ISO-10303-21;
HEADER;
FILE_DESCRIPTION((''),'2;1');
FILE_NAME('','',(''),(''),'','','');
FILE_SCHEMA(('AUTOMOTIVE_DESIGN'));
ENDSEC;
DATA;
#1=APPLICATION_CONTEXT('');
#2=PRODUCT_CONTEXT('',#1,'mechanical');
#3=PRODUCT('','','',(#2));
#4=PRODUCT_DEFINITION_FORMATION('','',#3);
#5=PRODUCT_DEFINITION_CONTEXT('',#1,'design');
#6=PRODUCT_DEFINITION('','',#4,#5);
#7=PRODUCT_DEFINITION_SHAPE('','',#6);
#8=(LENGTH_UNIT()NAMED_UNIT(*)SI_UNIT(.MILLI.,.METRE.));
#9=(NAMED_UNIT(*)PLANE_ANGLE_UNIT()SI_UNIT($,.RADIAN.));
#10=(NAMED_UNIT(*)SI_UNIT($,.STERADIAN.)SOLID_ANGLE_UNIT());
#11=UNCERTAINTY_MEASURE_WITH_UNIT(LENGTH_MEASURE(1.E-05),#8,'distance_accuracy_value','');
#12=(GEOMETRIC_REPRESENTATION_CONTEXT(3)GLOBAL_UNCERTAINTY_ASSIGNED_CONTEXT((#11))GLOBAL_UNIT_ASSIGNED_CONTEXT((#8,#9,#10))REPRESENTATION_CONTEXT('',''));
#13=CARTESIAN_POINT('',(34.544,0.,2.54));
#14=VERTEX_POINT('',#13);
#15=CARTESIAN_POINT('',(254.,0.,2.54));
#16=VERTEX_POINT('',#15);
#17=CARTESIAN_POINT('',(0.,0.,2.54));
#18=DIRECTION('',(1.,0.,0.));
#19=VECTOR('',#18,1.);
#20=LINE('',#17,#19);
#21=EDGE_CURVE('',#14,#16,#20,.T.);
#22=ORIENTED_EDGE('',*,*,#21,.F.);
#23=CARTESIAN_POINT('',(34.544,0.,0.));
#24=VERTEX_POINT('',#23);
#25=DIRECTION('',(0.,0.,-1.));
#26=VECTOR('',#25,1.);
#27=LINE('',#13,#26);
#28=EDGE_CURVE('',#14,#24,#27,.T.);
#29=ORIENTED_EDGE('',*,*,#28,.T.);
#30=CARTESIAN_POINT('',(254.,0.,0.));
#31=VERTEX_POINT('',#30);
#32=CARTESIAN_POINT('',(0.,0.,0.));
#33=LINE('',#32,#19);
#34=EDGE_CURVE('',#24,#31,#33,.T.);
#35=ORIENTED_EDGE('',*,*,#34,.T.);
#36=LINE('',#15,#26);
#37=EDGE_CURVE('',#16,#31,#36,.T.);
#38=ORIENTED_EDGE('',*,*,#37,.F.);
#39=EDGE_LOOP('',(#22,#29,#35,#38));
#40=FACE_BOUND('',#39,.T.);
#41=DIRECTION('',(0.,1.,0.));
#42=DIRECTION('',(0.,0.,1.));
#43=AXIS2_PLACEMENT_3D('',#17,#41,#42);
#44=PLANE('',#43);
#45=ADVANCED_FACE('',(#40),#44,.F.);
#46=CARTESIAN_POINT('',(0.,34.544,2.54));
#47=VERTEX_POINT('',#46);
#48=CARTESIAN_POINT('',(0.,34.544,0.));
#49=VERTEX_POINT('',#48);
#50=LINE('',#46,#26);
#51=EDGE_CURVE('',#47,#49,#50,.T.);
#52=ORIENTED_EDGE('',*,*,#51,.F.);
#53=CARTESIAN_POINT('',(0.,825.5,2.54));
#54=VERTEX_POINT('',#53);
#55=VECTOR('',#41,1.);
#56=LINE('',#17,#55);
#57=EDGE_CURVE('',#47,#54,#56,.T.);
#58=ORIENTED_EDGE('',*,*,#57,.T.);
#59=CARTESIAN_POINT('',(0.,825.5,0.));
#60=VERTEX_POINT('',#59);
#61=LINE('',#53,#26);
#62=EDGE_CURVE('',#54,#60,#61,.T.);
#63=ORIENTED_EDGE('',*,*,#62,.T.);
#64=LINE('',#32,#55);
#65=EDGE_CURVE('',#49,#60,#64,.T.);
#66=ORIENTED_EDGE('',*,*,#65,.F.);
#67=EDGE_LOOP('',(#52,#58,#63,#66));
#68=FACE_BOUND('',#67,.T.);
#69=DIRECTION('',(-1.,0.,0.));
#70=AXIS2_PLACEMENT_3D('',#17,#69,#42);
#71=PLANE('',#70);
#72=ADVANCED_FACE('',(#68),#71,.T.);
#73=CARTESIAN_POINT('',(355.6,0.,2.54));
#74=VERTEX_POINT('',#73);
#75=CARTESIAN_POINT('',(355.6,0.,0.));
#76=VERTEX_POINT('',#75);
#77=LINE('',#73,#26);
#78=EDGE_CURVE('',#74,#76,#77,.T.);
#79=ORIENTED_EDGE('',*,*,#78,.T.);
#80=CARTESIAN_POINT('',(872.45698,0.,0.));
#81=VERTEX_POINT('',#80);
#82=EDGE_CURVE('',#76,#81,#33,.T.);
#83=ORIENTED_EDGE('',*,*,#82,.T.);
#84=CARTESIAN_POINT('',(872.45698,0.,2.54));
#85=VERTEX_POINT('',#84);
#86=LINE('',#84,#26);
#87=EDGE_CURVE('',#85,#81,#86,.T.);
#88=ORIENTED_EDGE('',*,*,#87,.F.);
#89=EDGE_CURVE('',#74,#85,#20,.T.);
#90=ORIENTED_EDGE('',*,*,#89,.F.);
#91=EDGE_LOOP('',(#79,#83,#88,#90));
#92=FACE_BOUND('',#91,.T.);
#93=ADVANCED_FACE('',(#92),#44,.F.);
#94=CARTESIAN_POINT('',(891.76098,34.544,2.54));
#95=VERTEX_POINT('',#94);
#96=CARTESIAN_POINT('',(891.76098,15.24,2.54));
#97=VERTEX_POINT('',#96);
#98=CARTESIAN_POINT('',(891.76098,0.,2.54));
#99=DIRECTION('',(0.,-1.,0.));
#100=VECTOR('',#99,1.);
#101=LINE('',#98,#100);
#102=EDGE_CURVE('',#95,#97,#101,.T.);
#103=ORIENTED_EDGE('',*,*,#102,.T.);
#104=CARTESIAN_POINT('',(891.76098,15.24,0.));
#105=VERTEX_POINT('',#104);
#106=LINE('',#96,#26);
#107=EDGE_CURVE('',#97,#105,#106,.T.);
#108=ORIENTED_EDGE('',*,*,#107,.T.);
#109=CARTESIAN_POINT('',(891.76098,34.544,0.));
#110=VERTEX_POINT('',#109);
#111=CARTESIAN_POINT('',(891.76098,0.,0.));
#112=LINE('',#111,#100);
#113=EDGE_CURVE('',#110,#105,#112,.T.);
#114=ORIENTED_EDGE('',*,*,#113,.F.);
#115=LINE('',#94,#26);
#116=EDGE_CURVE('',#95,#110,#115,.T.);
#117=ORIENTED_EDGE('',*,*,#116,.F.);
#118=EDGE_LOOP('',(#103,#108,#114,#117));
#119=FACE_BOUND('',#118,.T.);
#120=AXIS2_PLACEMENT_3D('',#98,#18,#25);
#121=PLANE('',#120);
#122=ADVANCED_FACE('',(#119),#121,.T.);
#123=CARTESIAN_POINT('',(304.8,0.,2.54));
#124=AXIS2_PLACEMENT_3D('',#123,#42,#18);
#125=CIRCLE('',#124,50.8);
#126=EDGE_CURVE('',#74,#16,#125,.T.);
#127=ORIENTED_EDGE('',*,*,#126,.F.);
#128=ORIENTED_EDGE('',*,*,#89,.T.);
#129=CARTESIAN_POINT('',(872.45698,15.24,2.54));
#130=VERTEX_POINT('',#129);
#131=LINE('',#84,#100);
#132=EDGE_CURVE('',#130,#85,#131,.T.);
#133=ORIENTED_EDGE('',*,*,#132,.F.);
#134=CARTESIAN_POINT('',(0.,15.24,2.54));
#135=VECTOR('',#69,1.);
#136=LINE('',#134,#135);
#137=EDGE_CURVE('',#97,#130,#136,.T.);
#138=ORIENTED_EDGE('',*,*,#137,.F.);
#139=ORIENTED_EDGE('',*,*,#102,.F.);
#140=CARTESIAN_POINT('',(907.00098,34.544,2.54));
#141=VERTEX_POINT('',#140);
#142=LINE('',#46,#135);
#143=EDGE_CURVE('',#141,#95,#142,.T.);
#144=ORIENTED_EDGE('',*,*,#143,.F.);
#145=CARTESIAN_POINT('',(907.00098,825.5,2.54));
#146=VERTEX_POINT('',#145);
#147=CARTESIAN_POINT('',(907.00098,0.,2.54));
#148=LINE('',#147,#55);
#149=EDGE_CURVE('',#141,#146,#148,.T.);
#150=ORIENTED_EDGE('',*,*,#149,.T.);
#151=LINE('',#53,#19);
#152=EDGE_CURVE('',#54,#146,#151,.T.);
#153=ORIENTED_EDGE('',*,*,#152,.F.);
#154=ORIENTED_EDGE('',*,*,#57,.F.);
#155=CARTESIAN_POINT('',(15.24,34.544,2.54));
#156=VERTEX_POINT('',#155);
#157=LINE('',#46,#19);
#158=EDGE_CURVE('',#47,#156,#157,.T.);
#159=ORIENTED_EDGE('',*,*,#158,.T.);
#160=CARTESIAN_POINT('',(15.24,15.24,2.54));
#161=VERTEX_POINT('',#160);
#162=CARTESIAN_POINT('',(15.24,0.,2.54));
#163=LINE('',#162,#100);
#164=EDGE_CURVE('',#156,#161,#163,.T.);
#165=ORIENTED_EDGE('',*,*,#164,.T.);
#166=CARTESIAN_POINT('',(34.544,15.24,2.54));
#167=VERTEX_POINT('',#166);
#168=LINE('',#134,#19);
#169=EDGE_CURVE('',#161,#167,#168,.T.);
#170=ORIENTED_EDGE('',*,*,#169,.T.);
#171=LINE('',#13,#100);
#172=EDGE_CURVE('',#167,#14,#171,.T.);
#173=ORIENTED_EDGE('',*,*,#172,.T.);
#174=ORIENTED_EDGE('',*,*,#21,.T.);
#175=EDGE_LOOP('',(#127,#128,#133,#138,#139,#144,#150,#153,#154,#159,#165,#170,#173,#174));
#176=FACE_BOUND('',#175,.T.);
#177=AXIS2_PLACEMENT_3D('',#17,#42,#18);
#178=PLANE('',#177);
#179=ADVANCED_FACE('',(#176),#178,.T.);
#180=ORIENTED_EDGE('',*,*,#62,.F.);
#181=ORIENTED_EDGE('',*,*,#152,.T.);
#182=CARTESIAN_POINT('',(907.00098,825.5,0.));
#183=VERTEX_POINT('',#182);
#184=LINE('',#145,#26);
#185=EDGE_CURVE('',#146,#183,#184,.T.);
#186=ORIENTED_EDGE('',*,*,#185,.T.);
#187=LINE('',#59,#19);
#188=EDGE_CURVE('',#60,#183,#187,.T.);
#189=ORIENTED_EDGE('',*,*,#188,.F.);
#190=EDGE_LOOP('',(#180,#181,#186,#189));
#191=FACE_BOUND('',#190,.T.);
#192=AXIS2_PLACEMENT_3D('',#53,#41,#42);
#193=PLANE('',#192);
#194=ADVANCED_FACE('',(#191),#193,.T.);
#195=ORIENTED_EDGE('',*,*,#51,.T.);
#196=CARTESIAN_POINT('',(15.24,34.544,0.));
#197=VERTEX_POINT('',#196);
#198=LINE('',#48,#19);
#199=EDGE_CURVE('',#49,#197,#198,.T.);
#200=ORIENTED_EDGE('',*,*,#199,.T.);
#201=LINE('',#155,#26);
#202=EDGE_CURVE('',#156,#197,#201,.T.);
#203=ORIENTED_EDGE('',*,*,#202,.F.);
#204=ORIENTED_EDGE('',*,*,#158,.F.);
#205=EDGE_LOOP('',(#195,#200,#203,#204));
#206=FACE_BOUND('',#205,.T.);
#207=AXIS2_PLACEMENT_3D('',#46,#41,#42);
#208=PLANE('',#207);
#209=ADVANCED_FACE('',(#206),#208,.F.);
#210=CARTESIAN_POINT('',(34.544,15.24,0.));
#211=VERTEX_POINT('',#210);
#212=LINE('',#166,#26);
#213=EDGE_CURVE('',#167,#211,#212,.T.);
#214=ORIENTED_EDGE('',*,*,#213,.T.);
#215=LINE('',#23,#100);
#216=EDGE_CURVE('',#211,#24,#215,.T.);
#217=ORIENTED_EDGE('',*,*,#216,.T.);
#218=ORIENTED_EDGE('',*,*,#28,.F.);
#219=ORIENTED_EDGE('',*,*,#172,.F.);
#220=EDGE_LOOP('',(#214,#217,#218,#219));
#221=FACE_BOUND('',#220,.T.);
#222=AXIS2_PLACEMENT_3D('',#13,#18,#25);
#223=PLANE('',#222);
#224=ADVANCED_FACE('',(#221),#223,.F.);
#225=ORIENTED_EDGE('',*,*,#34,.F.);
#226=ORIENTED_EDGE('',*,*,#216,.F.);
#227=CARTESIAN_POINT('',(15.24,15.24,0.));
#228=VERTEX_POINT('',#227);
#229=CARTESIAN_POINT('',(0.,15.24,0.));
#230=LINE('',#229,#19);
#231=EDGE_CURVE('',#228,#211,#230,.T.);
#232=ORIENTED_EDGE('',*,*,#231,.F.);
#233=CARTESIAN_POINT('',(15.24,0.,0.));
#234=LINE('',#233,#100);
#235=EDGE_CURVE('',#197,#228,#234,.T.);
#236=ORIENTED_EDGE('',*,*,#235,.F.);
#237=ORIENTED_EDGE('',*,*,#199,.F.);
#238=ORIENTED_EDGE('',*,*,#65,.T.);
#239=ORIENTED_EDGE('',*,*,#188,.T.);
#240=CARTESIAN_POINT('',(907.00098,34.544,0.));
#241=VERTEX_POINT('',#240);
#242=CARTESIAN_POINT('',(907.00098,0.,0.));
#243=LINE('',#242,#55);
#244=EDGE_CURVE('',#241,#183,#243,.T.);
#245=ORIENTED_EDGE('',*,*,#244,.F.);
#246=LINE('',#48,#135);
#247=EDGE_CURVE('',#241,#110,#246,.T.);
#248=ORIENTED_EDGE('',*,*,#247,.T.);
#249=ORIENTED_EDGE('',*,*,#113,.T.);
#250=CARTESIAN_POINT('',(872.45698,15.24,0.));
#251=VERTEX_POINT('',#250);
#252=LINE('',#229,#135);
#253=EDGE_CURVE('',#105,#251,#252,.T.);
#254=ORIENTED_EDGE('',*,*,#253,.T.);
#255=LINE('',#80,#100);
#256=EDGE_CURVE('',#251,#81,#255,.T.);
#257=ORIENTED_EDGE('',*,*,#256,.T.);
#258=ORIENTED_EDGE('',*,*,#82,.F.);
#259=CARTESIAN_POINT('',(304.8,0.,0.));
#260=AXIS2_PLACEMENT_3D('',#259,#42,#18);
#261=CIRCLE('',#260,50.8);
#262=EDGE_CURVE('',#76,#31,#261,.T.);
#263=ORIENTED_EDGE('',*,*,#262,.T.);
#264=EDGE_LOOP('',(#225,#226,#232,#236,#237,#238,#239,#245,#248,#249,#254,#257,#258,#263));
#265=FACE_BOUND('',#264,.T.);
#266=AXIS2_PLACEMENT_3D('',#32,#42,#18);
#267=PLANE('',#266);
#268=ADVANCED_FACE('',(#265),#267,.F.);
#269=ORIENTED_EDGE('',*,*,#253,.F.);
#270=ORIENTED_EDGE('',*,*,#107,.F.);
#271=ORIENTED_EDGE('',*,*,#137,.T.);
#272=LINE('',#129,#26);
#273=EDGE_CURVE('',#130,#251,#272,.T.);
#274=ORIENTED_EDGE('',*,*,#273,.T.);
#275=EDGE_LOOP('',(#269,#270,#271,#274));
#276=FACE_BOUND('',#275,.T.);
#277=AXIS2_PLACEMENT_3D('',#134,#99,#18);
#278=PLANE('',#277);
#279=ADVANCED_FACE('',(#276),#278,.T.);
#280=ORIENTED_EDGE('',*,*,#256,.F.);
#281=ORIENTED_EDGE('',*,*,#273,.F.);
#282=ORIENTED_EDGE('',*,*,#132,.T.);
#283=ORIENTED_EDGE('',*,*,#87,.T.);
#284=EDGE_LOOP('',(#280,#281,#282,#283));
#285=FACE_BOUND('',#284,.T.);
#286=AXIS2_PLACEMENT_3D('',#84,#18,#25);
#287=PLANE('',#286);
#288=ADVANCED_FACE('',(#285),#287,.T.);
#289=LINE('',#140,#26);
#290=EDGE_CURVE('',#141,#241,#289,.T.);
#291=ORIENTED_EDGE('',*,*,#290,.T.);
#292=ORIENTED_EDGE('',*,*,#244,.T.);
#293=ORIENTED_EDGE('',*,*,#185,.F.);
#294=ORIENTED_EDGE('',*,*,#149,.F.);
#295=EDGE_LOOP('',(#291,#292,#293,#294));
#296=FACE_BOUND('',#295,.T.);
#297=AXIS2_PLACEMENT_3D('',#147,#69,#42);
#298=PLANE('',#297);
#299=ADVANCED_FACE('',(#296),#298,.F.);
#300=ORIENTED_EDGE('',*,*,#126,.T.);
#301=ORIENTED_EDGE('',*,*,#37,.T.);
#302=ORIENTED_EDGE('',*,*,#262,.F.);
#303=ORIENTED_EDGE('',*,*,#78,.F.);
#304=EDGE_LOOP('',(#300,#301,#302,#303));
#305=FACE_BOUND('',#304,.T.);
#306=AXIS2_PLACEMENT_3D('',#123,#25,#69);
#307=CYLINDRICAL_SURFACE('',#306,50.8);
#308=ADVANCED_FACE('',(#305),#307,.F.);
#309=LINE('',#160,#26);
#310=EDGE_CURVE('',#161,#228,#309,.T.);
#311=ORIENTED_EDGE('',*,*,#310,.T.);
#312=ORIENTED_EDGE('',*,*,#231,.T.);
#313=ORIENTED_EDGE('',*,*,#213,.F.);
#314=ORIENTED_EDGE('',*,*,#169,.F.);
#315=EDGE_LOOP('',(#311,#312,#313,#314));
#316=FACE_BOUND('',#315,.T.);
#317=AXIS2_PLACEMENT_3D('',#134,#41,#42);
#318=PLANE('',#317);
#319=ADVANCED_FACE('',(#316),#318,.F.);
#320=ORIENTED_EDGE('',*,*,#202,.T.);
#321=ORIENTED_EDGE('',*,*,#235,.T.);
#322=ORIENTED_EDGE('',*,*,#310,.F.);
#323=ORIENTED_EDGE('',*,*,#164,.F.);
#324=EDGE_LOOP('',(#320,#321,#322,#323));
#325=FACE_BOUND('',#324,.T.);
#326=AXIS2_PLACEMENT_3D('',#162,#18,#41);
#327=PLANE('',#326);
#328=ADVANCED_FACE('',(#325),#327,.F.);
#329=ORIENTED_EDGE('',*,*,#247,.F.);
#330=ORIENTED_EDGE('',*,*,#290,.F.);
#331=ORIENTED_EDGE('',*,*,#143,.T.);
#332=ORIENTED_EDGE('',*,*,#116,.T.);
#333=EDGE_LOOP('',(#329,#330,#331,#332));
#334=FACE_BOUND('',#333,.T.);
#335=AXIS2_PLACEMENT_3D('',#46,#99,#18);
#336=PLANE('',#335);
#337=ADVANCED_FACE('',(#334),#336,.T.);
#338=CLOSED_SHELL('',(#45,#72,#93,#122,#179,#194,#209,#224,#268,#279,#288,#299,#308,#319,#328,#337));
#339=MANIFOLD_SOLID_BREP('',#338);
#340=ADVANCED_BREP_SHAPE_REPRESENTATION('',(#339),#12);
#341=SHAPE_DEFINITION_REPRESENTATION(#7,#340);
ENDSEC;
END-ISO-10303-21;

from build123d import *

# Parameters (mm, degrees)
BOSS_EXTRUDE1_DEPTH = 2.54


with BuildPart() as part:
    # Sketch1 → Boss-Extrude1 (new body)
    with BuildSketch(Plane.XY):
        with BuildLine():
            Line((0, 825.5), (0, 34.544))
            Line((0, 34.544), (15.24, 34.544))
            Line((15.24, 34.544), (15.24, 15.24))
            Line((15.24, 15.24), (34.544, 15.24))
            Line((34.544, 15.24), (34.544, 0))
            Line((34.544, 0), (254, 0))
            ThreePointArc((254, 0), (304.8, 50.8), (355.6, 0))
            Line((355.6, 0), (872.45698, 0))
            Line((872.45698, 0), (872.45698, 15.24))
            Line((872.45698, 15.24), (891.76098, 15.24))
            Line((891.76098, 15.24), (891.76098, 34.544))
            Line((891.76098, 34.544), (907.00098, 34.544))
            Line((907.00098, 34.544), (907.00098, 825.5))
            Line((907.00098, 825.5), (0, 825.5))
        make_face()
    extrude(amount=BOSS_EXTRUDE1_DEPTH)


solid = part.part
